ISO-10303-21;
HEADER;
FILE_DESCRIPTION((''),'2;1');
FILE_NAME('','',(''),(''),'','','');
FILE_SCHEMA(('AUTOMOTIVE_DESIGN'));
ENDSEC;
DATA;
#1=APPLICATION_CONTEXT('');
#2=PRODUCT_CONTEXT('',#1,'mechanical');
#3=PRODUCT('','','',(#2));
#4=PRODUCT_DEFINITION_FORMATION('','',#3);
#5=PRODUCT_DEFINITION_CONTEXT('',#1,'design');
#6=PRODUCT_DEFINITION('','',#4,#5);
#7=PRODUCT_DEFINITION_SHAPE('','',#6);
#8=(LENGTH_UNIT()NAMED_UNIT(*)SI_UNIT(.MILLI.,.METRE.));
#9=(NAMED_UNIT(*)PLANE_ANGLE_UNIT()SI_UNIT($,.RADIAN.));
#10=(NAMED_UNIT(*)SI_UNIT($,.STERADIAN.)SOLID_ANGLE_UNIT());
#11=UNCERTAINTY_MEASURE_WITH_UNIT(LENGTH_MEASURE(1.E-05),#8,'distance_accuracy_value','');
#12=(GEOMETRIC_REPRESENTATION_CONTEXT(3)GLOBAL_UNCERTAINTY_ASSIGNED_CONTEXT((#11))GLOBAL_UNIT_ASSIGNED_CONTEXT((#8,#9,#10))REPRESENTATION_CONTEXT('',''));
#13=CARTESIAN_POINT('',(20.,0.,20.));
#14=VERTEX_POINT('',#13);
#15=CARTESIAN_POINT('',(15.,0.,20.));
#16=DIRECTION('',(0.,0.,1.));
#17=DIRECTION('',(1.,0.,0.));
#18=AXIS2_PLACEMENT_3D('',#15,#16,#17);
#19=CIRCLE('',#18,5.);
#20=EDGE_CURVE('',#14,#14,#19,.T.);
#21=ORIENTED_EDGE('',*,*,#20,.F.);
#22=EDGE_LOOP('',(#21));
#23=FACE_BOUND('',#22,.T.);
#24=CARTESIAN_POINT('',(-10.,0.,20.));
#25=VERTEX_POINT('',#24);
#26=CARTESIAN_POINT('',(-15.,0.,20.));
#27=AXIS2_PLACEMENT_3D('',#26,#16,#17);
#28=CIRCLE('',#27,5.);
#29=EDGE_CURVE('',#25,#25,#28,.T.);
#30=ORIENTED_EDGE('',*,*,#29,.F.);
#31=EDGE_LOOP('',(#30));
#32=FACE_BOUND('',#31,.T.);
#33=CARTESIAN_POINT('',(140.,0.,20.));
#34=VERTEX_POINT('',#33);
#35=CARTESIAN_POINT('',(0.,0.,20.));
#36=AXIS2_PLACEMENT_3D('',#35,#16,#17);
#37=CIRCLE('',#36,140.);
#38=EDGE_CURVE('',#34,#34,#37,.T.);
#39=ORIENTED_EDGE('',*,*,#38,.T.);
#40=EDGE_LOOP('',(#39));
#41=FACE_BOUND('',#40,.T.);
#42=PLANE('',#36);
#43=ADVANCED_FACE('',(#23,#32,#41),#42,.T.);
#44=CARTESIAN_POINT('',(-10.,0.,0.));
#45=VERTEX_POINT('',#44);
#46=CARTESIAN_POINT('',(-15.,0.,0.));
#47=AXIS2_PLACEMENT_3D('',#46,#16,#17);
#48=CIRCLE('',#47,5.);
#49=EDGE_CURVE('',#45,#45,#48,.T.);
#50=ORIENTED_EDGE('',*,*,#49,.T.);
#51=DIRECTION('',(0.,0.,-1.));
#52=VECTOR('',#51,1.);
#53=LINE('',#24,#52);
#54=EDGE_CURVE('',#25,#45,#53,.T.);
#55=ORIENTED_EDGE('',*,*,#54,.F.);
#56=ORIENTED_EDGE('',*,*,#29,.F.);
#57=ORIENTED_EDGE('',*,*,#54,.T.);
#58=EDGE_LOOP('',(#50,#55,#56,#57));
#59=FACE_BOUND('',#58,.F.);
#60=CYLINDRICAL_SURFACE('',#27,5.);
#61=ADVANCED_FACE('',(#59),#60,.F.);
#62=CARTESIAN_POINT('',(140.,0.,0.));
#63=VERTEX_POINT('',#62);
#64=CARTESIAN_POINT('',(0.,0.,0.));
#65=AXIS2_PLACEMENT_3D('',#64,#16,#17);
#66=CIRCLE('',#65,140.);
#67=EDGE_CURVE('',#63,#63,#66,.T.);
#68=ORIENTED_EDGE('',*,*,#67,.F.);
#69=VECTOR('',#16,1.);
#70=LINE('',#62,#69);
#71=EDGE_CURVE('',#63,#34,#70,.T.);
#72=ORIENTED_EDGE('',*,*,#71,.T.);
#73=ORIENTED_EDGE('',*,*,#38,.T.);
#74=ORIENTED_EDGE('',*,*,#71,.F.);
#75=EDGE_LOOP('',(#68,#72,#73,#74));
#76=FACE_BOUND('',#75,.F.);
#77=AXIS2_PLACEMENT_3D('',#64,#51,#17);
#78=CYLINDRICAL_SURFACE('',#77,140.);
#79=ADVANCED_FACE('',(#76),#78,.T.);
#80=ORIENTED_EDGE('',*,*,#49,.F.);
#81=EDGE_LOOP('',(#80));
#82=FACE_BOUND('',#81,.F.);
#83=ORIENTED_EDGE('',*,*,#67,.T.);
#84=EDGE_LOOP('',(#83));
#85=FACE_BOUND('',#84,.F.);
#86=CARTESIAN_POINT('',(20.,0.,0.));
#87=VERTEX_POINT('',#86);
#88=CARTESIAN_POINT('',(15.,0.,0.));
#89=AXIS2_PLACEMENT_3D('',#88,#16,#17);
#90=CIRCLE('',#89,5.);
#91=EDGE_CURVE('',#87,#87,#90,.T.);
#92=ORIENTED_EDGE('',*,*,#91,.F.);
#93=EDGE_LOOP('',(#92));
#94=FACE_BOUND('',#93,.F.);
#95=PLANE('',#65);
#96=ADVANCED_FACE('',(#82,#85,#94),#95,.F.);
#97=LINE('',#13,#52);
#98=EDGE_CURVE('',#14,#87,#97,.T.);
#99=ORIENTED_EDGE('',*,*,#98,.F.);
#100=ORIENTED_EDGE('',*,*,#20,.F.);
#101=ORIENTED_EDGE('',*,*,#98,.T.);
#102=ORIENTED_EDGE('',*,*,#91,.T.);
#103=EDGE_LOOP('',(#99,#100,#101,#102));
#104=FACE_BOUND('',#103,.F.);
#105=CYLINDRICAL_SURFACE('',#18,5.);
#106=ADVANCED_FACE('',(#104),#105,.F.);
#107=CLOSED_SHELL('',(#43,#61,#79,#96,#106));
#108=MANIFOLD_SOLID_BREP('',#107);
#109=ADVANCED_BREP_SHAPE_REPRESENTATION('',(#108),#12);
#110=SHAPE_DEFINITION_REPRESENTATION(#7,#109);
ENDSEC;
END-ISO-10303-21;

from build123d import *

# Parameters (mm, degrees)
F0_R     = 140
F1_DEPTH = 20
F2_R     = 5
F3_DEPTH = 20.001


with BuildPart() as f1:
    # F0 (on Top) → F1 (new body)
    with BuildSketch(Plane.XY):
        Circle(F0_R)
    extrude(amount=F1_DEPTH)

    # F2 (on face) → F3 (cut, through all)
    with BuildSketch(Plane.XY.offset(20)):
        with Locations((15, 0)):
            Circle(F2_R)
        with Locations((-15, 0)):
            Circle(F2_R)
    extrude(amount=-F3_DEPTH, mode=Mode.SUBTRACT)


solid = f1.part
